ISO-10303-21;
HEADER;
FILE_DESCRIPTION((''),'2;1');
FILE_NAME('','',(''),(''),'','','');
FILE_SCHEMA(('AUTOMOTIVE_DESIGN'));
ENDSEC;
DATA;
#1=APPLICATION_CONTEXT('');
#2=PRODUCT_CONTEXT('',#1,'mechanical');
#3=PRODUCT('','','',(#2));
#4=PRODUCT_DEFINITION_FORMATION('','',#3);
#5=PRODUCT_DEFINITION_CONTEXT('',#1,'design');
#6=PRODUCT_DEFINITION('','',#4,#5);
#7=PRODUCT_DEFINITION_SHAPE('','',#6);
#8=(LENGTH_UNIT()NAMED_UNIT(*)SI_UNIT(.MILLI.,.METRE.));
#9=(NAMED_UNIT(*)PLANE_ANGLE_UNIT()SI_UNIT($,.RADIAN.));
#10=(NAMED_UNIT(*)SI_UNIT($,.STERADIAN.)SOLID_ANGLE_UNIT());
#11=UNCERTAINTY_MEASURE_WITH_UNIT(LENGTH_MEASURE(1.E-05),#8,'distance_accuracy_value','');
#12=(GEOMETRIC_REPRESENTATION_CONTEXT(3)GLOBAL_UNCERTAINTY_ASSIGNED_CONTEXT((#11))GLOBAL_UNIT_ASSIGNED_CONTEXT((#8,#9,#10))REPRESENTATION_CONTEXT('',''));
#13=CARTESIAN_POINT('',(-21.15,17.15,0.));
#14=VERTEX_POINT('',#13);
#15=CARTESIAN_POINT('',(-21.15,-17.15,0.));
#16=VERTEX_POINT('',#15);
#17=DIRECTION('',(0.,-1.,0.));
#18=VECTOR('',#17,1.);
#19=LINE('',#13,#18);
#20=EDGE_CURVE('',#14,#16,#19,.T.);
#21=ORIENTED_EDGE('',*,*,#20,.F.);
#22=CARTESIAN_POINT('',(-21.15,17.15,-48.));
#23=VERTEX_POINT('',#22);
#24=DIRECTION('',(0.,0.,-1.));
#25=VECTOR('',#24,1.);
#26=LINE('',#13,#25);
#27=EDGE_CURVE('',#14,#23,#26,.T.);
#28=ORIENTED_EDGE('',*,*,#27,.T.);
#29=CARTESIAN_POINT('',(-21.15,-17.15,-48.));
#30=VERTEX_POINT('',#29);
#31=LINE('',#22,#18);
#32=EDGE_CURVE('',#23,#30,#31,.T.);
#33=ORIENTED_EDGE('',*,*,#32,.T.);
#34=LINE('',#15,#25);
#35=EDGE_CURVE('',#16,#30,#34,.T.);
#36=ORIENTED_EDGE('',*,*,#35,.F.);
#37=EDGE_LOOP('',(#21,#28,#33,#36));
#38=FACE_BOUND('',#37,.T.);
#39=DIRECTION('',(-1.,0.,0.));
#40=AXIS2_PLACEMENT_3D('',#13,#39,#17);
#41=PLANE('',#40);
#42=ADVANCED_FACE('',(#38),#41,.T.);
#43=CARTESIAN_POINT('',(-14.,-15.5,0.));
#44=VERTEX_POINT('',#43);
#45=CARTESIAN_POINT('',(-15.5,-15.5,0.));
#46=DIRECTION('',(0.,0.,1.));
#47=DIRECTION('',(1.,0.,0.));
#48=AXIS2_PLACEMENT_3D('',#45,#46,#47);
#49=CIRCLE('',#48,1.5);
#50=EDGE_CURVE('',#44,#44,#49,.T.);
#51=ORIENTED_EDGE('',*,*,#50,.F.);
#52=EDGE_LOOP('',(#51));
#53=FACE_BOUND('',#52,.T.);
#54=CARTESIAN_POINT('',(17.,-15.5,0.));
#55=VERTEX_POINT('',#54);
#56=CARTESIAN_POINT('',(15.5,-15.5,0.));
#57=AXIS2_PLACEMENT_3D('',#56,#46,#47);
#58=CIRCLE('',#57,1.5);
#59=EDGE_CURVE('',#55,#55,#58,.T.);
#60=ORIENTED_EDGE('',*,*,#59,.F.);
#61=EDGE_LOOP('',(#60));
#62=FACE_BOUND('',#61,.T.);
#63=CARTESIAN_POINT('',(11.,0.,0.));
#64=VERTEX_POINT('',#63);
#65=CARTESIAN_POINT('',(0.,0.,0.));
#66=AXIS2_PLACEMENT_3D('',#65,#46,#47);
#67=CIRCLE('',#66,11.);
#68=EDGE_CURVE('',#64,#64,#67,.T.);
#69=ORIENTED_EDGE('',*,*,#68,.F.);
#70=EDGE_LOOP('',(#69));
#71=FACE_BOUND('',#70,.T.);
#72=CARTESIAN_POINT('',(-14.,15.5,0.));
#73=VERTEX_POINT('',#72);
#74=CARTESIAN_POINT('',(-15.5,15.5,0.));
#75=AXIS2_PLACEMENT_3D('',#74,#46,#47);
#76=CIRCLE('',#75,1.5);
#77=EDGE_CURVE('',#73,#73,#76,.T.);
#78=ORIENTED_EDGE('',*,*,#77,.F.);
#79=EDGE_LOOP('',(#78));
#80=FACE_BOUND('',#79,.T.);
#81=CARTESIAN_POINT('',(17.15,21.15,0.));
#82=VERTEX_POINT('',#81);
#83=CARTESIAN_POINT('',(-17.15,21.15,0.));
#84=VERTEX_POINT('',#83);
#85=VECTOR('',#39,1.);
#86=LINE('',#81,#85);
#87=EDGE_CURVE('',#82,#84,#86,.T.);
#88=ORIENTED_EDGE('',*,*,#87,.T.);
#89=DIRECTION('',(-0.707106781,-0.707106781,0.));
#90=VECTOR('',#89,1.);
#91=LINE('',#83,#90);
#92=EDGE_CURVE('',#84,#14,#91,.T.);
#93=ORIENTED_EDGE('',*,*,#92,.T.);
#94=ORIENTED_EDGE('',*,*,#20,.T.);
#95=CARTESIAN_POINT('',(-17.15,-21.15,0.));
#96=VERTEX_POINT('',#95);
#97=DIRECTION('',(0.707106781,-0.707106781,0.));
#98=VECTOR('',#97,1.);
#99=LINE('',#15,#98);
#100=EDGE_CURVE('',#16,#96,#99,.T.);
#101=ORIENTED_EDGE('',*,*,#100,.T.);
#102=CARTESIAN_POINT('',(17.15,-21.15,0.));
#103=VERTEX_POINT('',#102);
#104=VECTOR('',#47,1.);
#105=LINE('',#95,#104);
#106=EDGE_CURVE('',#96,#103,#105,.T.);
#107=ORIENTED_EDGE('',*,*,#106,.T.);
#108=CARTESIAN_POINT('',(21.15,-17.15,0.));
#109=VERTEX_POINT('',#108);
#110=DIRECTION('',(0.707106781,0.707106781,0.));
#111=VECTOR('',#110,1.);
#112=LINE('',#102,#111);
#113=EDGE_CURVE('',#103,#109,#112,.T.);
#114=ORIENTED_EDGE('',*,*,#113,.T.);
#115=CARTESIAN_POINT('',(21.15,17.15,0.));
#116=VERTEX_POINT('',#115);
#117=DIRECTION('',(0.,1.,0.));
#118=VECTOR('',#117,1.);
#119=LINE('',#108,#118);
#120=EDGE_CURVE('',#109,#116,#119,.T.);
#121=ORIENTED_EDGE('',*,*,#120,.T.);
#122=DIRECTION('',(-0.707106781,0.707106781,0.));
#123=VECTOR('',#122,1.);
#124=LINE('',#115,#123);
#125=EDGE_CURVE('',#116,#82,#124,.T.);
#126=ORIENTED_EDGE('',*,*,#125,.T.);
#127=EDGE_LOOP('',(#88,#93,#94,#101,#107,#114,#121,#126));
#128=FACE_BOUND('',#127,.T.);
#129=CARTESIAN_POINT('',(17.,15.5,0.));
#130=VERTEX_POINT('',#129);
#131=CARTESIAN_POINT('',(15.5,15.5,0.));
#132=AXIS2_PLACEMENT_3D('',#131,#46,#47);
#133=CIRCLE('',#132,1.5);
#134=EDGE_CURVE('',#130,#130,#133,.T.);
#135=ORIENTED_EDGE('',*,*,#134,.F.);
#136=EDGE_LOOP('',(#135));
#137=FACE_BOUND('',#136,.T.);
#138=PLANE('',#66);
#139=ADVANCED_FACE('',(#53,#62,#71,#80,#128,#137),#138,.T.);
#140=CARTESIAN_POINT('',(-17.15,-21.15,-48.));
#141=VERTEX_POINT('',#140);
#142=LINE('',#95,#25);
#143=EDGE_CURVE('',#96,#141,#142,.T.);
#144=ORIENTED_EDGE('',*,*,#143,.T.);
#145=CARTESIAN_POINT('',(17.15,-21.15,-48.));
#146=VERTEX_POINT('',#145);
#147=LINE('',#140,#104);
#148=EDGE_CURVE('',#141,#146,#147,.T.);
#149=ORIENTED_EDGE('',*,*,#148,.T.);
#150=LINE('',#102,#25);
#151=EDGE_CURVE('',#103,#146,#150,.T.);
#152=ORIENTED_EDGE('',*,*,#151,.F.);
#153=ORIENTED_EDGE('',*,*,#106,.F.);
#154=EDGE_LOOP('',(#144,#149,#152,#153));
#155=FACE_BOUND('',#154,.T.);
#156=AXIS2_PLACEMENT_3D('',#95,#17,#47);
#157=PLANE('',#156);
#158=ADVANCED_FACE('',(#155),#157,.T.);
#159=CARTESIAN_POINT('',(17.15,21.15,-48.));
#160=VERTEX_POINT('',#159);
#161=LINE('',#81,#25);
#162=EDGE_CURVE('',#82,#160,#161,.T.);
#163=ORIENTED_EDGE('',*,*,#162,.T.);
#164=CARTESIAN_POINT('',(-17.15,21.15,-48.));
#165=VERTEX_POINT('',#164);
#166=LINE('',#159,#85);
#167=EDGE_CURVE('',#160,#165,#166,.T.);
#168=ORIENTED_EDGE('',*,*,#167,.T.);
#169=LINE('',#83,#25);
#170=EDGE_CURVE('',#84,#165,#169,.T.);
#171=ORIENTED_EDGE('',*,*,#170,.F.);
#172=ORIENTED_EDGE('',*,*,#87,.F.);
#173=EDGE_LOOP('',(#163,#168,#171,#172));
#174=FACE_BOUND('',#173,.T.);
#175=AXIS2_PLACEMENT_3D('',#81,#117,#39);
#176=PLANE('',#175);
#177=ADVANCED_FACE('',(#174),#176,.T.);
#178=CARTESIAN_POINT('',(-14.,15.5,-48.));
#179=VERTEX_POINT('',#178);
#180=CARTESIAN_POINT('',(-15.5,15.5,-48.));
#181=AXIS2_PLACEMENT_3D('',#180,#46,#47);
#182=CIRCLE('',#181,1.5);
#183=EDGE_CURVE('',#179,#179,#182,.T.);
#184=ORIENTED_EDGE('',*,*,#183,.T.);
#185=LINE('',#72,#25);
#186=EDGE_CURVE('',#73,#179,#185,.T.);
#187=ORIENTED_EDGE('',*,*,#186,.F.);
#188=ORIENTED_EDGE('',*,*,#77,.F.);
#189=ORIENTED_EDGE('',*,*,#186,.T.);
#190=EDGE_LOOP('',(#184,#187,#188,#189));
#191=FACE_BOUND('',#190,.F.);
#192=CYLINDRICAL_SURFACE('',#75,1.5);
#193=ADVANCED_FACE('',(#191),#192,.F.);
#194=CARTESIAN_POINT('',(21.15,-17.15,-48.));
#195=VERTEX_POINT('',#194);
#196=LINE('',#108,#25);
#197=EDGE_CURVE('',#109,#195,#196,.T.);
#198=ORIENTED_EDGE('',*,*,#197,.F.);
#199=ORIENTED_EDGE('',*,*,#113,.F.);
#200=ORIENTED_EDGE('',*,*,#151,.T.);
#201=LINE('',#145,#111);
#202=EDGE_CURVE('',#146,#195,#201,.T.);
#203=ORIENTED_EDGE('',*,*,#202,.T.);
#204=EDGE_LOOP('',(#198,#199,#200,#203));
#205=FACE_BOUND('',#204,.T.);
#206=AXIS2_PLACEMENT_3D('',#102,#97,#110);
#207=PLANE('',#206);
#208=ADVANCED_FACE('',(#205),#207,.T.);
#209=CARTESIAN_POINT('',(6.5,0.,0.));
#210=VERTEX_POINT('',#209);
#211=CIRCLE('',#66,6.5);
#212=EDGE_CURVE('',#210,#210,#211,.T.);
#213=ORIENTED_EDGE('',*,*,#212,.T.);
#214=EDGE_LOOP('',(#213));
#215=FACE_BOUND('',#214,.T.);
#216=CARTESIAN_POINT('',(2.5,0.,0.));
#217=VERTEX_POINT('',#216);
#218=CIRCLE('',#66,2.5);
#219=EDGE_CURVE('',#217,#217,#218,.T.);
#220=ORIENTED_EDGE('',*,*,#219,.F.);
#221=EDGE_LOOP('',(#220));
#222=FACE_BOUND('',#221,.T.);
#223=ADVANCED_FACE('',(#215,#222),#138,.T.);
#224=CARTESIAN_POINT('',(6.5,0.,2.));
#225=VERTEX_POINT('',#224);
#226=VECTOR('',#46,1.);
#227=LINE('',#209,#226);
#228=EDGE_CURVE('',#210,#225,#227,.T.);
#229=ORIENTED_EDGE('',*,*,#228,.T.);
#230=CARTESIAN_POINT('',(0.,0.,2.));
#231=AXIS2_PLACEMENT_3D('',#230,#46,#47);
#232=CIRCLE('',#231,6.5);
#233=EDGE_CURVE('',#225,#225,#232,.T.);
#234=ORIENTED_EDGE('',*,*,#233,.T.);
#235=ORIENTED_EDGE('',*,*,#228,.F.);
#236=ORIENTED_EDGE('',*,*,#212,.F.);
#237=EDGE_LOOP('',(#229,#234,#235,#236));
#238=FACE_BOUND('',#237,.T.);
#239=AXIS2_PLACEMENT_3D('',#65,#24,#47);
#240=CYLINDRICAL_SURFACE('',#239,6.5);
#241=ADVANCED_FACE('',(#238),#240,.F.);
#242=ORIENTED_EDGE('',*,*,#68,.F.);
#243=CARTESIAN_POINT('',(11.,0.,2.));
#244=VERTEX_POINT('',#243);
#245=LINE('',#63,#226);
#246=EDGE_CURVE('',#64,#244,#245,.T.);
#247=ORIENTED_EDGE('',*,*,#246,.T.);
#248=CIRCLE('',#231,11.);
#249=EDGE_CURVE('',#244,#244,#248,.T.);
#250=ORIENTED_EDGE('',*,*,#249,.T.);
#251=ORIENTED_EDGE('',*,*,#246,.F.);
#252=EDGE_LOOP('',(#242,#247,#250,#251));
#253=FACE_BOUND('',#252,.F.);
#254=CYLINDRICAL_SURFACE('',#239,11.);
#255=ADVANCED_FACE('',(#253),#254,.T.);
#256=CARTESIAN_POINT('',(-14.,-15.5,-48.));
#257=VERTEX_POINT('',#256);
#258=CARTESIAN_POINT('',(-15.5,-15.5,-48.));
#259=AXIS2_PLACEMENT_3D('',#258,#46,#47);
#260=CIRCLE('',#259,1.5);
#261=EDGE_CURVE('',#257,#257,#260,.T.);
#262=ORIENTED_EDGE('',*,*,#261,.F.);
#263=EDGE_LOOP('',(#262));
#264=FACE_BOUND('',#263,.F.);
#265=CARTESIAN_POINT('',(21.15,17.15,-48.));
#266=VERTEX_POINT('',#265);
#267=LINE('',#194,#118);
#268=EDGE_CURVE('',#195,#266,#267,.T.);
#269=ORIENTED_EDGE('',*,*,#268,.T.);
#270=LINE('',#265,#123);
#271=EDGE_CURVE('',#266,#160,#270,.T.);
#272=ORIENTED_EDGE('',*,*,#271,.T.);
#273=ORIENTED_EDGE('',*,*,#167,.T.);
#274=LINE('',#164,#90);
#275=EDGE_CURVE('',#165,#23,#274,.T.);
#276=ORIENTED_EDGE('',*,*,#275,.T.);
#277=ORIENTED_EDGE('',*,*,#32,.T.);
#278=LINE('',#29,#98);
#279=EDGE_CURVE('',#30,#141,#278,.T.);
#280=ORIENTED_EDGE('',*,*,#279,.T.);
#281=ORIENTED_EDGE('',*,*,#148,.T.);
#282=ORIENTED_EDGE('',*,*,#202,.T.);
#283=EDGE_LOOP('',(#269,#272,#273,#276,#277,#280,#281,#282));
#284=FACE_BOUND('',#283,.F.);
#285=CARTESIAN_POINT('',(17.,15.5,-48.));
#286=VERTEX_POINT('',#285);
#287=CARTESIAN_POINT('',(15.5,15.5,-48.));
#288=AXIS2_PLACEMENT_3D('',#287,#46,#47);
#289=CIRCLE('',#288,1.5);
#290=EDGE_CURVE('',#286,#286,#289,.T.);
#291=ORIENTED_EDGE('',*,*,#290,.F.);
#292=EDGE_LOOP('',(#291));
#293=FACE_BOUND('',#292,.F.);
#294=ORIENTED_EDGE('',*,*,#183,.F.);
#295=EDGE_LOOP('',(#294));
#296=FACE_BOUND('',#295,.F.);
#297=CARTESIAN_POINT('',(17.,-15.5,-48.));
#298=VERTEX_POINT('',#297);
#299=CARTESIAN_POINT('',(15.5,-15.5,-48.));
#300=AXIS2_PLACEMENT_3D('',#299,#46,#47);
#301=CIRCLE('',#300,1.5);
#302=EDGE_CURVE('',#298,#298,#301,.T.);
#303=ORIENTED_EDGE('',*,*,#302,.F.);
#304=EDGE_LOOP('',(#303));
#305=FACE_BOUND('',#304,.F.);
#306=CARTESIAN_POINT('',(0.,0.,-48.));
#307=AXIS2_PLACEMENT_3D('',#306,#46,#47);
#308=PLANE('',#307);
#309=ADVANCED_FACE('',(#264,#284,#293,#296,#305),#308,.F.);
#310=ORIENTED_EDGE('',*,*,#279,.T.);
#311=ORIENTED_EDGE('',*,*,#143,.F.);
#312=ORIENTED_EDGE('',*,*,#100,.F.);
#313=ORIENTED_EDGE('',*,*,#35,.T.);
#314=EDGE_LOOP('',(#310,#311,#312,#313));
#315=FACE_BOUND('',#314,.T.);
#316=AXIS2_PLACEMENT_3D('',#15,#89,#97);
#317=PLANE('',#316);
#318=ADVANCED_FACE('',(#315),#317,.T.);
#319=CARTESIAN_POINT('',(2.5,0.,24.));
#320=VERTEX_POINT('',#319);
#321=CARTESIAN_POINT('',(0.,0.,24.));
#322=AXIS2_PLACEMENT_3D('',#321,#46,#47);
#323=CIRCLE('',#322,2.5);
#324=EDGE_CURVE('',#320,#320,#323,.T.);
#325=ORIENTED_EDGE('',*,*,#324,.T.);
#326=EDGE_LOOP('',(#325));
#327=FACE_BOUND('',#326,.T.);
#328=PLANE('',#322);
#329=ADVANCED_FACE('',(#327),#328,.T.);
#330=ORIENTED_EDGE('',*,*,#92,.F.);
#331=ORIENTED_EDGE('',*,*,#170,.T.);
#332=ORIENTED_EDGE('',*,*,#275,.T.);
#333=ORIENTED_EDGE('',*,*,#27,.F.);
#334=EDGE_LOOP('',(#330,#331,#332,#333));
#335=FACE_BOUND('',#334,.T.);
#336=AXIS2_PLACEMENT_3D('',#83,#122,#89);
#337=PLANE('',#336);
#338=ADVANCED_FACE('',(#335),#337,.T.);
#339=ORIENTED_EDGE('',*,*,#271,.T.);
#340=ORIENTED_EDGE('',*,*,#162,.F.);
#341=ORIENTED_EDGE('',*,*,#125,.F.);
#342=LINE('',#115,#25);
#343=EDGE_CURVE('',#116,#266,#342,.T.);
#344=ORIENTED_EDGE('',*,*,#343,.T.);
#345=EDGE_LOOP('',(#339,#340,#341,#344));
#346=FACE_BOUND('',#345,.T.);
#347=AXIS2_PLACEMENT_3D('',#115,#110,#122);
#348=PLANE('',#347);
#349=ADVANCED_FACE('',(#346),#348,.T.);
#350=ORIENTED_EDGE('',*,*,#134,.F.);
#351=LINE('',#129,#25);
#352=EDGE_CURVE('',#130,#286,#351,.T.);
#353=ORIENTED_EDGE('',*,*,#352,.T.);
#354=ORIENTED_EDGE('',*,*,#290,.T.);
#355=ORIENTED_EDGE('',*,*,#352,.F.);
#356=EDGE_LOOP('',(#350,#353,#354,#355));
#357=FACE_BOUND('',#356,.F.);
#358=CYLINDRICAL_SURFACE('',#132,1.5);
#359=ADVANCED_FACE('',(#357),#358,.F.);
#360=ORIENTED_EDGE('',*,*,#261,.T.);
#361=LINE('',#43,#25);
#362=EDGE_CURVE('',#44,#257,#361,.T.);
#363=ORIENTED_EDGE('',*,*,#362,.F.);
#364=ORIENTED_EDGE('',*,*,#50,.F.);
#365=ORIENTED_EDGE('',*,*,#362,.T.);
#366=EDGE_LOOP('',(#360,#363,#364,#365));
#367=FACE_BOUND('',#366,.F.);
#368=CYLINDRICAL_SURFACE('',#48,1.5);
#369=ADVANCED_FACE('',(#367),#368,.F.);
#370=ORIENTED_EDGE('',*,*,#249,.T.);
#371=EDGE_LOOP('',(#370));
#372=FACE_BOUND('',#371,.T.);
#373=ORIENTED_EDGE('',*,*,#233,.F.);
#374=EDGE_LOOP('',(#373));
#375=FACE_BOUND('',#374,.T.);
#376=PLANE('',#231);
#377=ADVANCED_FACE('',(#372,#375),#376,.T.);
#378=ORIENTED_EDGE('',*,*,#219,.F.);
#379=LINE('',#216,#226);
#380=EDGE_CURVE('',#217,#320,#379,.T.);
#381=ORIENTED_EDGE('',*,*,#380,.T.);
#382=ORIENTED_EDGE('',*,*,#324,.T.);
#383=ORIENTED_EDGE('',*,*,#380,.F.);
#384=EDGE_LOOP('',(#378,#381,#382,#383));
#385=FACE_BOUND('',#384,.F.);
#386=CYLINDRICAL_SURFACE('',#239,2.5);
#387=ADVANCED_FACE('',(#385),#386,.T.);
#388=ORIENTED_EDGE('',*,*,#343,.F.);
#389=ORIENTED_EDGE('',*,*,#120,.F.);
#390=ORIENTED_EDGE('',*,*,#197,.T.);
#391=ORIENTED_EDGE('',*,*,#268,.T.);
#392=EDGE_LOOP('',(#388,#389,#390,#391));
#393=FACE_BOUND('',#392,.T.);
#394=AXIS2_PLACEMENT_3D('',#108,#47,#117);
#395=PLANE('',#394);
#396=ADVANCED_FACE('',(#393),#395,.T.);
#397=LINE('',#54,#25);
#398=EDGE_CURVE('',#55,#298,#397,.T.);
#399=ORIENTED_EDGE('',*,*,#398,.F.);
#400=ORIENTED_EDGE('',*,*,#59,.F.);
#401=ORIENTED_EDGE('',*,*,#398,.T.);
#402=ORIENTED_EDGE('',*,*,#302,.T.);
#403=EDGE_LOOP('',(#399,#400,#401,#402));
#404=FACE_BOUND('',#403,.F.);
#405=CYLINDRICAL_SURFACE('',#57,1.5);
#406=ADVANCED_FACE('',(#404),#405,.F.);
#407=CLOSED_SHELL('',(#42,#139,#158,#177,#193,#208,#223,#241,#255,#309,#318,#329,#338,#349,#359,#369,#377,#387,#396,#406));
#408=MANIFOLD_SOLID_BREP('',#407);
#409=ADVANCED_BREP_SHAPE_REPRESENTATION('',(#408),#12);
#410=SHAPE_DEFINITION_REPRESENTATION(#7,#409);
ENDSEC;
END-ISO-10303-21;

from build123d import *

# Parameters (mm, degrees)
SKETCH004_R   = 1.5
PAD004_DEPTH  = 48
SKETCH005_R   = 11
SKETCH005_R_2 = 6.5
PAD005_DEPTH  = 2
SKETCH006_R   = 2.5
PAD006_DEPTH  = 24


with BuildPart() as part:
    # Sketch004 → Pad004 (new body)
    with BuildSketch(Plane.XY):
        Polygon((-21.15, 17.15), (-21.15, -17.15), (-17.15, -21.15), (17.15, -21.15), (21.15, -17.15), (21.15, 17.15), (17.15, 21.15), (-17.15, 21.15), align=None)
        with Locations((-15.5, 15.5)):
            Circle(SKETCH004_R, mode=Mode.SUBTRACT)
        with Locations((15.5, 15.5)):
            Circle(SKETCH004_R, mode=Mode.SUBTRACT)
        with Locations((15.5, -15.5)):
            Circle(SKETCH004_R, mode=Mode.SUBTRACT)
        with Locations((-15.5, -15.5)):
            Circle(SKETCH004_R, mode=Mode.SUBTRACT)
    extrude(amount=-PAD004_DEPTH)

    # Sketch005 (on Face13 of Pad004) → Pad005 (join)
    with BuildSketch(Plane.XY):
        Circle(SKETCH005_R)
        Circle(SKETCH005_R_2, mode=Mode.SUBTRACT)
    extrude(amount=PAD005_DEPTH)

    # Sketch006 (on Face18 of Pad005) → Pad006 (join)
    with BuildSketch(Plane.XY):
        Circle(SKETCH006_R)
    extrude(amount=PAD006_DEPTH)


solid = part.part
